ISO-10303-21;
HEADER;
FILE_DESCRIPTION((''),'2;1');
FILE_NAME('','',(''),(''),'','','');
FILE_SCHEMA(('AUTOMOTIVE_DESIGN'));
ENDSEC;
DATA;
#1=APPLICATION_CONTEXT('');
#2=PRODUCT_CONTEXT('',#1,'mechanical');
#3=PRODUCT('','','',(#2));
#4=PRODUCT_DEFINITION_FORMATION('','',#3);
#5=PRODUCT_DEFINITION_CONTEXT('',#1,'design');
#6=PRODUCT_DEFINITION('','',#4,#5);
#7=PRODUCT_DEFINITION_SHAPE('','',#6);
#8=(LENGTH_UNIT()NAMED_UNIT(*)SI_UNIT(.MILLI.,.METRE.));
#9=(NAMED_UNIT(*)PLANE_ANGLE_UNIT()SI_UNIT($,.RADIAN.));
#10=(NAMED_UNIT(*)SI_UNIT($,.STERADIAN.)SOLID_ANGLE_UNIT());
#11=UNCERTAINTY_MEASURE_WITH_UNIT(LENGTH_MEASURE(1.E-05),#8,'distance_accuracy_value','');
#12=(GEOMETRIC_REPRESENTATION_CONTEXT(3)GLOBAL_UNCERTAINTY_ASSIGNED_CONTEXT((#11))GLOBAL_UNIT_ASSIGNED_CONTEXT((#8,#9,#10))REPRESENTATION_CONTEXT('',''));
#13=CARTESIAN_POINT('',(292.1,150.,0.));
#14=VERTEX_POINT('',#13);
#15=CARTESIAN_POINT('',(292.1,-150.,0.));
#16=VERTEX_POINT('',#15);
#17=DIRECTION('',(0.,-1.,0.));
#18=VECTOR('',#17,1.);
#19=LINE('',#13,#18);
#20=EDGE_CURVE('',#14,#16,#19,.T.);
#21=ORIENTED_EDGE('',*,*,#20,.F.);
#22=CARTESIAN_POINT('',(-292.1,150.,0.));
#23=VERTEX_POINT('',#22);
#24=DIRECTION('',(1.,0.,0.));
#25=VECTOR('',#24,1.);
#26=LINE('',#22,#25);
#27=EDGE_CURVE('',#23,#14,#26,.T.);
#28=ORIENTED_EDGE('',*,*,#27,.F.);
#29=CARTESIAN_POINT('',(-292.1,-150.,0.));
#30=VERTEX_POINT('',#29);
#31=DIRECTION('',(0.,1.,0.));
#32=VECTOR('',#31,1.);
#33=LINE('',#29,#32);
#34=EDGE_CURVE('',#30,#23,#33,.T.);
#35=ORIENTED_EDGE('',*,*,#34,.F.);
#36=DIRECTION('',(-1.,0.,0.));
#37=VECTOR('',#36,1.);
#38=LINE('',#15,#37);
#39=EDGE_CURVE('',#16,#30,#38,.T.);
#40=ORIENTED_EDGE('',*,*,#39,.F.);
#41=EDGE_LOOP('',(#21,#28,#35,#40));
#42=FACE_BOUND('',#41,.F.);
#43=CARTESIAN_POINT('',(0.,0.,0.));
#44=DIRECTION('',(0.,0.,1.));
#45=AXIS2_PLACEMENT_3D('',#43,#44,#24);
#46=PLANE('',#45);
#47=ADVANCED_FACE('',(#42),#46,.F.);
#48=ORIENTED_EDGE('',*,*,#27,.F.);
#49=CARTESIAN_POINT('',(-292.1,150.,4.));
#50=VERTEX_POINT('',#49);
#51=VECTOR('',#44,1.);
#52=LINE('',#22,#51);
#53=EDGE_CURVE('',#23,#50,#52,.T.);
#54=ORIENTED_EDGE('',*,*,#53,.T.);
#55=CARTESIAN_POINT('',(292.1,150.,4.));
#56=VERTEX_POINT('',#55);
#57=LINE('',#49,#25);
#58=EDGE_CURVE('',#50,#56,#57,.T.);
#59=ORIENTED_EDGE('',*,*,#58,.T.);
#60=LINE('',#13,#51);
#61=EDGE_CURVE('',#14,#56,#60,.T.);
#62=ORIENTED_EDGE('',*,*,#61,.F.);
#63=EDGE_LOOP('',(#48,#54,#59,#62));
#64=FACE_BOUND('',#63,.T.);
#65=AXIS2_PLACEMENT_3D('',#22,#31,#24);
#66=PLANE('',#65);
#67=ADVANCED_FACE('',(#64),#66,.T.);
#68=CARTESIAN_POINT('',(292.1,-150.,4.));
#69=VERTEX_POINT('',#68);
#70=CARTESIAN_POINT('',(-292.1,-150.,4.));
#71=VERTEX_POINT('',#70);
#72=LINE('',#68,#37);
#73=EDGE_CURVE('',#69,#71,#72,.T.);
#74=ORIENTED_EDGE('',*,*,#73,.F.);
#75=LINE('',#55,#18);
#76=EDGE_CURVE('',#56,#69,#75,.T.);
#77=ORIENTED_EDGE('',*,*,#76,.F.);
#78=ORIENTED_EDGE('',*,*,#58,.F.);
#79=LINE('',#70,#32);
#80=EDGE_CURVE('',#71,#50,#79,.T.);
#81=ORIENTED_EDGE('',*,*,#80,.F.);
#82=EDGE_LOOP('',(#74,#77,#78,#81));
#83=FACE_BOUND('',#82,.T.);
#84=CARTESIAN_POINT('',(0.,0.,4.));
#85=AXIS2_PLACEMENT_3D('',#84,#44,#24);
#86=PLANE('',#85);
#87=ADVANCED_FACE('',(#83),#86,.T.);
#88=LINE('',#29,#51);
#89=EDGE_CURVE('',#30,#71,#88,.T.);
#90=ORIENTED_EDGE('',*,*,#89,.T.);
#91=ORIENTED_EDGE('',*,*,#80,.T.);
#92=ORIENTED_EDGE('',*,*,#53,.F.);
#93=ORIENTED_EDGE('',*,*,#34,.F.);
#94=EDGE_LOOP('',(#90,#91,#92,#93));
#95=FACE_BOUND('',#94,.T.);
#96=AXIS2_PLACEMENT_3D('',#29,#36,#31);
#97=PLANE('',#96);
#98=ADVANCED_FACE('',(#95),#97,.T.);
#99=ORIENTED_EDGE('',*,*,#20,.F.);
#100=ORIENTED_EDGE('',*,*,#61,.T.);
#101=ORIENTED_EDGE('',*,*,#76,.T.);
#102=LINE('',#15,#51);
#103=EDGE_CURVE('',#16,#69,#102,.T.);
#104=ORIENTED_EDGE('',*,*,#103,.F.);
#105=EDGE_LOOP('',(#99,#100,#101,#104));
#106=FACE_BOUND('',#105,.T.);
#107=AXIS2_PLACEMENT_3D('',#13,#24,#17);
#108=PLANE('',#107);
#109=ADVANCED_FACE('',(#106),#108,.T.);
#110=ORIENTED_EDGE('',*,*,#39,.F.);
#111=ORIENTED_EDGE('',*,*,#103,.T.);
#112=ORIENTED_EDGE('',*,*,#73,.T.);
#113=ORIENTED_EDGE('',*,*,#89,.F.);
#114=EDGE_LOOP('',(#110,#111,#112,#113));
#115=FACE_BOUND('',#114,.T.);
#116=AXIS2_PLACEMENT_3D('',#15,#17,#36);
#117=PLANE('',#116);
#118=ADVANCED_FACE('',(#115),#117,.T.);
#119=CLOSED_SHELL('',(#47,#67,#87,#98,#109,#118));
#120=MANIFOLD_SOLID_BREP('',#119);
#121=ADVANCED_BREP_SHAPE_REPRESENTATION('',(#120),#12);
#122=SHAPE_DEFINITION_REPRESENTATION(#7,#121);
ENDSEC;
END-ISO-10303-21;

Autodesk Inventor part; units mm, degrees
ref_plane "YZ Plane" through (0, 0, 0) normal (1, 0, 0) x (0, 1, 0)
ref_plane "XZ Plane" through (0, 0, 0) normal (0, 1, 0) x (-1, 0, 0)
ref_plane "XY Plane" through (0, 0, 0) normal (0, 0, 1) x (1, 0, 0)
sketch "Esboço1" plane through (0, 0, 0) normal (0, 0, 1) x (1, 0, 0)
  line L0 (292.1, -150) -> (-292.1, -150)
  line L1 (-292.1, -150) -> (-292.1, 150)
  line L2 (-292.1, 150) -> (292.1, 150)
  line L3 (292.1, 150) -> (292.1, -150)
  line L4 (292.1, -150) -> (-292.1, 150) construction
  line L5 (-292.1, -150) -> (292.1, 150) construction
  point P0 (0, 0)
  dimension "d0" = 584.2
  dimension "d1" = 300
extrude "Extrusão1" add sketch "Esboço1" along normal blind 4
properties part number "Chapa Frontal - Intake"
